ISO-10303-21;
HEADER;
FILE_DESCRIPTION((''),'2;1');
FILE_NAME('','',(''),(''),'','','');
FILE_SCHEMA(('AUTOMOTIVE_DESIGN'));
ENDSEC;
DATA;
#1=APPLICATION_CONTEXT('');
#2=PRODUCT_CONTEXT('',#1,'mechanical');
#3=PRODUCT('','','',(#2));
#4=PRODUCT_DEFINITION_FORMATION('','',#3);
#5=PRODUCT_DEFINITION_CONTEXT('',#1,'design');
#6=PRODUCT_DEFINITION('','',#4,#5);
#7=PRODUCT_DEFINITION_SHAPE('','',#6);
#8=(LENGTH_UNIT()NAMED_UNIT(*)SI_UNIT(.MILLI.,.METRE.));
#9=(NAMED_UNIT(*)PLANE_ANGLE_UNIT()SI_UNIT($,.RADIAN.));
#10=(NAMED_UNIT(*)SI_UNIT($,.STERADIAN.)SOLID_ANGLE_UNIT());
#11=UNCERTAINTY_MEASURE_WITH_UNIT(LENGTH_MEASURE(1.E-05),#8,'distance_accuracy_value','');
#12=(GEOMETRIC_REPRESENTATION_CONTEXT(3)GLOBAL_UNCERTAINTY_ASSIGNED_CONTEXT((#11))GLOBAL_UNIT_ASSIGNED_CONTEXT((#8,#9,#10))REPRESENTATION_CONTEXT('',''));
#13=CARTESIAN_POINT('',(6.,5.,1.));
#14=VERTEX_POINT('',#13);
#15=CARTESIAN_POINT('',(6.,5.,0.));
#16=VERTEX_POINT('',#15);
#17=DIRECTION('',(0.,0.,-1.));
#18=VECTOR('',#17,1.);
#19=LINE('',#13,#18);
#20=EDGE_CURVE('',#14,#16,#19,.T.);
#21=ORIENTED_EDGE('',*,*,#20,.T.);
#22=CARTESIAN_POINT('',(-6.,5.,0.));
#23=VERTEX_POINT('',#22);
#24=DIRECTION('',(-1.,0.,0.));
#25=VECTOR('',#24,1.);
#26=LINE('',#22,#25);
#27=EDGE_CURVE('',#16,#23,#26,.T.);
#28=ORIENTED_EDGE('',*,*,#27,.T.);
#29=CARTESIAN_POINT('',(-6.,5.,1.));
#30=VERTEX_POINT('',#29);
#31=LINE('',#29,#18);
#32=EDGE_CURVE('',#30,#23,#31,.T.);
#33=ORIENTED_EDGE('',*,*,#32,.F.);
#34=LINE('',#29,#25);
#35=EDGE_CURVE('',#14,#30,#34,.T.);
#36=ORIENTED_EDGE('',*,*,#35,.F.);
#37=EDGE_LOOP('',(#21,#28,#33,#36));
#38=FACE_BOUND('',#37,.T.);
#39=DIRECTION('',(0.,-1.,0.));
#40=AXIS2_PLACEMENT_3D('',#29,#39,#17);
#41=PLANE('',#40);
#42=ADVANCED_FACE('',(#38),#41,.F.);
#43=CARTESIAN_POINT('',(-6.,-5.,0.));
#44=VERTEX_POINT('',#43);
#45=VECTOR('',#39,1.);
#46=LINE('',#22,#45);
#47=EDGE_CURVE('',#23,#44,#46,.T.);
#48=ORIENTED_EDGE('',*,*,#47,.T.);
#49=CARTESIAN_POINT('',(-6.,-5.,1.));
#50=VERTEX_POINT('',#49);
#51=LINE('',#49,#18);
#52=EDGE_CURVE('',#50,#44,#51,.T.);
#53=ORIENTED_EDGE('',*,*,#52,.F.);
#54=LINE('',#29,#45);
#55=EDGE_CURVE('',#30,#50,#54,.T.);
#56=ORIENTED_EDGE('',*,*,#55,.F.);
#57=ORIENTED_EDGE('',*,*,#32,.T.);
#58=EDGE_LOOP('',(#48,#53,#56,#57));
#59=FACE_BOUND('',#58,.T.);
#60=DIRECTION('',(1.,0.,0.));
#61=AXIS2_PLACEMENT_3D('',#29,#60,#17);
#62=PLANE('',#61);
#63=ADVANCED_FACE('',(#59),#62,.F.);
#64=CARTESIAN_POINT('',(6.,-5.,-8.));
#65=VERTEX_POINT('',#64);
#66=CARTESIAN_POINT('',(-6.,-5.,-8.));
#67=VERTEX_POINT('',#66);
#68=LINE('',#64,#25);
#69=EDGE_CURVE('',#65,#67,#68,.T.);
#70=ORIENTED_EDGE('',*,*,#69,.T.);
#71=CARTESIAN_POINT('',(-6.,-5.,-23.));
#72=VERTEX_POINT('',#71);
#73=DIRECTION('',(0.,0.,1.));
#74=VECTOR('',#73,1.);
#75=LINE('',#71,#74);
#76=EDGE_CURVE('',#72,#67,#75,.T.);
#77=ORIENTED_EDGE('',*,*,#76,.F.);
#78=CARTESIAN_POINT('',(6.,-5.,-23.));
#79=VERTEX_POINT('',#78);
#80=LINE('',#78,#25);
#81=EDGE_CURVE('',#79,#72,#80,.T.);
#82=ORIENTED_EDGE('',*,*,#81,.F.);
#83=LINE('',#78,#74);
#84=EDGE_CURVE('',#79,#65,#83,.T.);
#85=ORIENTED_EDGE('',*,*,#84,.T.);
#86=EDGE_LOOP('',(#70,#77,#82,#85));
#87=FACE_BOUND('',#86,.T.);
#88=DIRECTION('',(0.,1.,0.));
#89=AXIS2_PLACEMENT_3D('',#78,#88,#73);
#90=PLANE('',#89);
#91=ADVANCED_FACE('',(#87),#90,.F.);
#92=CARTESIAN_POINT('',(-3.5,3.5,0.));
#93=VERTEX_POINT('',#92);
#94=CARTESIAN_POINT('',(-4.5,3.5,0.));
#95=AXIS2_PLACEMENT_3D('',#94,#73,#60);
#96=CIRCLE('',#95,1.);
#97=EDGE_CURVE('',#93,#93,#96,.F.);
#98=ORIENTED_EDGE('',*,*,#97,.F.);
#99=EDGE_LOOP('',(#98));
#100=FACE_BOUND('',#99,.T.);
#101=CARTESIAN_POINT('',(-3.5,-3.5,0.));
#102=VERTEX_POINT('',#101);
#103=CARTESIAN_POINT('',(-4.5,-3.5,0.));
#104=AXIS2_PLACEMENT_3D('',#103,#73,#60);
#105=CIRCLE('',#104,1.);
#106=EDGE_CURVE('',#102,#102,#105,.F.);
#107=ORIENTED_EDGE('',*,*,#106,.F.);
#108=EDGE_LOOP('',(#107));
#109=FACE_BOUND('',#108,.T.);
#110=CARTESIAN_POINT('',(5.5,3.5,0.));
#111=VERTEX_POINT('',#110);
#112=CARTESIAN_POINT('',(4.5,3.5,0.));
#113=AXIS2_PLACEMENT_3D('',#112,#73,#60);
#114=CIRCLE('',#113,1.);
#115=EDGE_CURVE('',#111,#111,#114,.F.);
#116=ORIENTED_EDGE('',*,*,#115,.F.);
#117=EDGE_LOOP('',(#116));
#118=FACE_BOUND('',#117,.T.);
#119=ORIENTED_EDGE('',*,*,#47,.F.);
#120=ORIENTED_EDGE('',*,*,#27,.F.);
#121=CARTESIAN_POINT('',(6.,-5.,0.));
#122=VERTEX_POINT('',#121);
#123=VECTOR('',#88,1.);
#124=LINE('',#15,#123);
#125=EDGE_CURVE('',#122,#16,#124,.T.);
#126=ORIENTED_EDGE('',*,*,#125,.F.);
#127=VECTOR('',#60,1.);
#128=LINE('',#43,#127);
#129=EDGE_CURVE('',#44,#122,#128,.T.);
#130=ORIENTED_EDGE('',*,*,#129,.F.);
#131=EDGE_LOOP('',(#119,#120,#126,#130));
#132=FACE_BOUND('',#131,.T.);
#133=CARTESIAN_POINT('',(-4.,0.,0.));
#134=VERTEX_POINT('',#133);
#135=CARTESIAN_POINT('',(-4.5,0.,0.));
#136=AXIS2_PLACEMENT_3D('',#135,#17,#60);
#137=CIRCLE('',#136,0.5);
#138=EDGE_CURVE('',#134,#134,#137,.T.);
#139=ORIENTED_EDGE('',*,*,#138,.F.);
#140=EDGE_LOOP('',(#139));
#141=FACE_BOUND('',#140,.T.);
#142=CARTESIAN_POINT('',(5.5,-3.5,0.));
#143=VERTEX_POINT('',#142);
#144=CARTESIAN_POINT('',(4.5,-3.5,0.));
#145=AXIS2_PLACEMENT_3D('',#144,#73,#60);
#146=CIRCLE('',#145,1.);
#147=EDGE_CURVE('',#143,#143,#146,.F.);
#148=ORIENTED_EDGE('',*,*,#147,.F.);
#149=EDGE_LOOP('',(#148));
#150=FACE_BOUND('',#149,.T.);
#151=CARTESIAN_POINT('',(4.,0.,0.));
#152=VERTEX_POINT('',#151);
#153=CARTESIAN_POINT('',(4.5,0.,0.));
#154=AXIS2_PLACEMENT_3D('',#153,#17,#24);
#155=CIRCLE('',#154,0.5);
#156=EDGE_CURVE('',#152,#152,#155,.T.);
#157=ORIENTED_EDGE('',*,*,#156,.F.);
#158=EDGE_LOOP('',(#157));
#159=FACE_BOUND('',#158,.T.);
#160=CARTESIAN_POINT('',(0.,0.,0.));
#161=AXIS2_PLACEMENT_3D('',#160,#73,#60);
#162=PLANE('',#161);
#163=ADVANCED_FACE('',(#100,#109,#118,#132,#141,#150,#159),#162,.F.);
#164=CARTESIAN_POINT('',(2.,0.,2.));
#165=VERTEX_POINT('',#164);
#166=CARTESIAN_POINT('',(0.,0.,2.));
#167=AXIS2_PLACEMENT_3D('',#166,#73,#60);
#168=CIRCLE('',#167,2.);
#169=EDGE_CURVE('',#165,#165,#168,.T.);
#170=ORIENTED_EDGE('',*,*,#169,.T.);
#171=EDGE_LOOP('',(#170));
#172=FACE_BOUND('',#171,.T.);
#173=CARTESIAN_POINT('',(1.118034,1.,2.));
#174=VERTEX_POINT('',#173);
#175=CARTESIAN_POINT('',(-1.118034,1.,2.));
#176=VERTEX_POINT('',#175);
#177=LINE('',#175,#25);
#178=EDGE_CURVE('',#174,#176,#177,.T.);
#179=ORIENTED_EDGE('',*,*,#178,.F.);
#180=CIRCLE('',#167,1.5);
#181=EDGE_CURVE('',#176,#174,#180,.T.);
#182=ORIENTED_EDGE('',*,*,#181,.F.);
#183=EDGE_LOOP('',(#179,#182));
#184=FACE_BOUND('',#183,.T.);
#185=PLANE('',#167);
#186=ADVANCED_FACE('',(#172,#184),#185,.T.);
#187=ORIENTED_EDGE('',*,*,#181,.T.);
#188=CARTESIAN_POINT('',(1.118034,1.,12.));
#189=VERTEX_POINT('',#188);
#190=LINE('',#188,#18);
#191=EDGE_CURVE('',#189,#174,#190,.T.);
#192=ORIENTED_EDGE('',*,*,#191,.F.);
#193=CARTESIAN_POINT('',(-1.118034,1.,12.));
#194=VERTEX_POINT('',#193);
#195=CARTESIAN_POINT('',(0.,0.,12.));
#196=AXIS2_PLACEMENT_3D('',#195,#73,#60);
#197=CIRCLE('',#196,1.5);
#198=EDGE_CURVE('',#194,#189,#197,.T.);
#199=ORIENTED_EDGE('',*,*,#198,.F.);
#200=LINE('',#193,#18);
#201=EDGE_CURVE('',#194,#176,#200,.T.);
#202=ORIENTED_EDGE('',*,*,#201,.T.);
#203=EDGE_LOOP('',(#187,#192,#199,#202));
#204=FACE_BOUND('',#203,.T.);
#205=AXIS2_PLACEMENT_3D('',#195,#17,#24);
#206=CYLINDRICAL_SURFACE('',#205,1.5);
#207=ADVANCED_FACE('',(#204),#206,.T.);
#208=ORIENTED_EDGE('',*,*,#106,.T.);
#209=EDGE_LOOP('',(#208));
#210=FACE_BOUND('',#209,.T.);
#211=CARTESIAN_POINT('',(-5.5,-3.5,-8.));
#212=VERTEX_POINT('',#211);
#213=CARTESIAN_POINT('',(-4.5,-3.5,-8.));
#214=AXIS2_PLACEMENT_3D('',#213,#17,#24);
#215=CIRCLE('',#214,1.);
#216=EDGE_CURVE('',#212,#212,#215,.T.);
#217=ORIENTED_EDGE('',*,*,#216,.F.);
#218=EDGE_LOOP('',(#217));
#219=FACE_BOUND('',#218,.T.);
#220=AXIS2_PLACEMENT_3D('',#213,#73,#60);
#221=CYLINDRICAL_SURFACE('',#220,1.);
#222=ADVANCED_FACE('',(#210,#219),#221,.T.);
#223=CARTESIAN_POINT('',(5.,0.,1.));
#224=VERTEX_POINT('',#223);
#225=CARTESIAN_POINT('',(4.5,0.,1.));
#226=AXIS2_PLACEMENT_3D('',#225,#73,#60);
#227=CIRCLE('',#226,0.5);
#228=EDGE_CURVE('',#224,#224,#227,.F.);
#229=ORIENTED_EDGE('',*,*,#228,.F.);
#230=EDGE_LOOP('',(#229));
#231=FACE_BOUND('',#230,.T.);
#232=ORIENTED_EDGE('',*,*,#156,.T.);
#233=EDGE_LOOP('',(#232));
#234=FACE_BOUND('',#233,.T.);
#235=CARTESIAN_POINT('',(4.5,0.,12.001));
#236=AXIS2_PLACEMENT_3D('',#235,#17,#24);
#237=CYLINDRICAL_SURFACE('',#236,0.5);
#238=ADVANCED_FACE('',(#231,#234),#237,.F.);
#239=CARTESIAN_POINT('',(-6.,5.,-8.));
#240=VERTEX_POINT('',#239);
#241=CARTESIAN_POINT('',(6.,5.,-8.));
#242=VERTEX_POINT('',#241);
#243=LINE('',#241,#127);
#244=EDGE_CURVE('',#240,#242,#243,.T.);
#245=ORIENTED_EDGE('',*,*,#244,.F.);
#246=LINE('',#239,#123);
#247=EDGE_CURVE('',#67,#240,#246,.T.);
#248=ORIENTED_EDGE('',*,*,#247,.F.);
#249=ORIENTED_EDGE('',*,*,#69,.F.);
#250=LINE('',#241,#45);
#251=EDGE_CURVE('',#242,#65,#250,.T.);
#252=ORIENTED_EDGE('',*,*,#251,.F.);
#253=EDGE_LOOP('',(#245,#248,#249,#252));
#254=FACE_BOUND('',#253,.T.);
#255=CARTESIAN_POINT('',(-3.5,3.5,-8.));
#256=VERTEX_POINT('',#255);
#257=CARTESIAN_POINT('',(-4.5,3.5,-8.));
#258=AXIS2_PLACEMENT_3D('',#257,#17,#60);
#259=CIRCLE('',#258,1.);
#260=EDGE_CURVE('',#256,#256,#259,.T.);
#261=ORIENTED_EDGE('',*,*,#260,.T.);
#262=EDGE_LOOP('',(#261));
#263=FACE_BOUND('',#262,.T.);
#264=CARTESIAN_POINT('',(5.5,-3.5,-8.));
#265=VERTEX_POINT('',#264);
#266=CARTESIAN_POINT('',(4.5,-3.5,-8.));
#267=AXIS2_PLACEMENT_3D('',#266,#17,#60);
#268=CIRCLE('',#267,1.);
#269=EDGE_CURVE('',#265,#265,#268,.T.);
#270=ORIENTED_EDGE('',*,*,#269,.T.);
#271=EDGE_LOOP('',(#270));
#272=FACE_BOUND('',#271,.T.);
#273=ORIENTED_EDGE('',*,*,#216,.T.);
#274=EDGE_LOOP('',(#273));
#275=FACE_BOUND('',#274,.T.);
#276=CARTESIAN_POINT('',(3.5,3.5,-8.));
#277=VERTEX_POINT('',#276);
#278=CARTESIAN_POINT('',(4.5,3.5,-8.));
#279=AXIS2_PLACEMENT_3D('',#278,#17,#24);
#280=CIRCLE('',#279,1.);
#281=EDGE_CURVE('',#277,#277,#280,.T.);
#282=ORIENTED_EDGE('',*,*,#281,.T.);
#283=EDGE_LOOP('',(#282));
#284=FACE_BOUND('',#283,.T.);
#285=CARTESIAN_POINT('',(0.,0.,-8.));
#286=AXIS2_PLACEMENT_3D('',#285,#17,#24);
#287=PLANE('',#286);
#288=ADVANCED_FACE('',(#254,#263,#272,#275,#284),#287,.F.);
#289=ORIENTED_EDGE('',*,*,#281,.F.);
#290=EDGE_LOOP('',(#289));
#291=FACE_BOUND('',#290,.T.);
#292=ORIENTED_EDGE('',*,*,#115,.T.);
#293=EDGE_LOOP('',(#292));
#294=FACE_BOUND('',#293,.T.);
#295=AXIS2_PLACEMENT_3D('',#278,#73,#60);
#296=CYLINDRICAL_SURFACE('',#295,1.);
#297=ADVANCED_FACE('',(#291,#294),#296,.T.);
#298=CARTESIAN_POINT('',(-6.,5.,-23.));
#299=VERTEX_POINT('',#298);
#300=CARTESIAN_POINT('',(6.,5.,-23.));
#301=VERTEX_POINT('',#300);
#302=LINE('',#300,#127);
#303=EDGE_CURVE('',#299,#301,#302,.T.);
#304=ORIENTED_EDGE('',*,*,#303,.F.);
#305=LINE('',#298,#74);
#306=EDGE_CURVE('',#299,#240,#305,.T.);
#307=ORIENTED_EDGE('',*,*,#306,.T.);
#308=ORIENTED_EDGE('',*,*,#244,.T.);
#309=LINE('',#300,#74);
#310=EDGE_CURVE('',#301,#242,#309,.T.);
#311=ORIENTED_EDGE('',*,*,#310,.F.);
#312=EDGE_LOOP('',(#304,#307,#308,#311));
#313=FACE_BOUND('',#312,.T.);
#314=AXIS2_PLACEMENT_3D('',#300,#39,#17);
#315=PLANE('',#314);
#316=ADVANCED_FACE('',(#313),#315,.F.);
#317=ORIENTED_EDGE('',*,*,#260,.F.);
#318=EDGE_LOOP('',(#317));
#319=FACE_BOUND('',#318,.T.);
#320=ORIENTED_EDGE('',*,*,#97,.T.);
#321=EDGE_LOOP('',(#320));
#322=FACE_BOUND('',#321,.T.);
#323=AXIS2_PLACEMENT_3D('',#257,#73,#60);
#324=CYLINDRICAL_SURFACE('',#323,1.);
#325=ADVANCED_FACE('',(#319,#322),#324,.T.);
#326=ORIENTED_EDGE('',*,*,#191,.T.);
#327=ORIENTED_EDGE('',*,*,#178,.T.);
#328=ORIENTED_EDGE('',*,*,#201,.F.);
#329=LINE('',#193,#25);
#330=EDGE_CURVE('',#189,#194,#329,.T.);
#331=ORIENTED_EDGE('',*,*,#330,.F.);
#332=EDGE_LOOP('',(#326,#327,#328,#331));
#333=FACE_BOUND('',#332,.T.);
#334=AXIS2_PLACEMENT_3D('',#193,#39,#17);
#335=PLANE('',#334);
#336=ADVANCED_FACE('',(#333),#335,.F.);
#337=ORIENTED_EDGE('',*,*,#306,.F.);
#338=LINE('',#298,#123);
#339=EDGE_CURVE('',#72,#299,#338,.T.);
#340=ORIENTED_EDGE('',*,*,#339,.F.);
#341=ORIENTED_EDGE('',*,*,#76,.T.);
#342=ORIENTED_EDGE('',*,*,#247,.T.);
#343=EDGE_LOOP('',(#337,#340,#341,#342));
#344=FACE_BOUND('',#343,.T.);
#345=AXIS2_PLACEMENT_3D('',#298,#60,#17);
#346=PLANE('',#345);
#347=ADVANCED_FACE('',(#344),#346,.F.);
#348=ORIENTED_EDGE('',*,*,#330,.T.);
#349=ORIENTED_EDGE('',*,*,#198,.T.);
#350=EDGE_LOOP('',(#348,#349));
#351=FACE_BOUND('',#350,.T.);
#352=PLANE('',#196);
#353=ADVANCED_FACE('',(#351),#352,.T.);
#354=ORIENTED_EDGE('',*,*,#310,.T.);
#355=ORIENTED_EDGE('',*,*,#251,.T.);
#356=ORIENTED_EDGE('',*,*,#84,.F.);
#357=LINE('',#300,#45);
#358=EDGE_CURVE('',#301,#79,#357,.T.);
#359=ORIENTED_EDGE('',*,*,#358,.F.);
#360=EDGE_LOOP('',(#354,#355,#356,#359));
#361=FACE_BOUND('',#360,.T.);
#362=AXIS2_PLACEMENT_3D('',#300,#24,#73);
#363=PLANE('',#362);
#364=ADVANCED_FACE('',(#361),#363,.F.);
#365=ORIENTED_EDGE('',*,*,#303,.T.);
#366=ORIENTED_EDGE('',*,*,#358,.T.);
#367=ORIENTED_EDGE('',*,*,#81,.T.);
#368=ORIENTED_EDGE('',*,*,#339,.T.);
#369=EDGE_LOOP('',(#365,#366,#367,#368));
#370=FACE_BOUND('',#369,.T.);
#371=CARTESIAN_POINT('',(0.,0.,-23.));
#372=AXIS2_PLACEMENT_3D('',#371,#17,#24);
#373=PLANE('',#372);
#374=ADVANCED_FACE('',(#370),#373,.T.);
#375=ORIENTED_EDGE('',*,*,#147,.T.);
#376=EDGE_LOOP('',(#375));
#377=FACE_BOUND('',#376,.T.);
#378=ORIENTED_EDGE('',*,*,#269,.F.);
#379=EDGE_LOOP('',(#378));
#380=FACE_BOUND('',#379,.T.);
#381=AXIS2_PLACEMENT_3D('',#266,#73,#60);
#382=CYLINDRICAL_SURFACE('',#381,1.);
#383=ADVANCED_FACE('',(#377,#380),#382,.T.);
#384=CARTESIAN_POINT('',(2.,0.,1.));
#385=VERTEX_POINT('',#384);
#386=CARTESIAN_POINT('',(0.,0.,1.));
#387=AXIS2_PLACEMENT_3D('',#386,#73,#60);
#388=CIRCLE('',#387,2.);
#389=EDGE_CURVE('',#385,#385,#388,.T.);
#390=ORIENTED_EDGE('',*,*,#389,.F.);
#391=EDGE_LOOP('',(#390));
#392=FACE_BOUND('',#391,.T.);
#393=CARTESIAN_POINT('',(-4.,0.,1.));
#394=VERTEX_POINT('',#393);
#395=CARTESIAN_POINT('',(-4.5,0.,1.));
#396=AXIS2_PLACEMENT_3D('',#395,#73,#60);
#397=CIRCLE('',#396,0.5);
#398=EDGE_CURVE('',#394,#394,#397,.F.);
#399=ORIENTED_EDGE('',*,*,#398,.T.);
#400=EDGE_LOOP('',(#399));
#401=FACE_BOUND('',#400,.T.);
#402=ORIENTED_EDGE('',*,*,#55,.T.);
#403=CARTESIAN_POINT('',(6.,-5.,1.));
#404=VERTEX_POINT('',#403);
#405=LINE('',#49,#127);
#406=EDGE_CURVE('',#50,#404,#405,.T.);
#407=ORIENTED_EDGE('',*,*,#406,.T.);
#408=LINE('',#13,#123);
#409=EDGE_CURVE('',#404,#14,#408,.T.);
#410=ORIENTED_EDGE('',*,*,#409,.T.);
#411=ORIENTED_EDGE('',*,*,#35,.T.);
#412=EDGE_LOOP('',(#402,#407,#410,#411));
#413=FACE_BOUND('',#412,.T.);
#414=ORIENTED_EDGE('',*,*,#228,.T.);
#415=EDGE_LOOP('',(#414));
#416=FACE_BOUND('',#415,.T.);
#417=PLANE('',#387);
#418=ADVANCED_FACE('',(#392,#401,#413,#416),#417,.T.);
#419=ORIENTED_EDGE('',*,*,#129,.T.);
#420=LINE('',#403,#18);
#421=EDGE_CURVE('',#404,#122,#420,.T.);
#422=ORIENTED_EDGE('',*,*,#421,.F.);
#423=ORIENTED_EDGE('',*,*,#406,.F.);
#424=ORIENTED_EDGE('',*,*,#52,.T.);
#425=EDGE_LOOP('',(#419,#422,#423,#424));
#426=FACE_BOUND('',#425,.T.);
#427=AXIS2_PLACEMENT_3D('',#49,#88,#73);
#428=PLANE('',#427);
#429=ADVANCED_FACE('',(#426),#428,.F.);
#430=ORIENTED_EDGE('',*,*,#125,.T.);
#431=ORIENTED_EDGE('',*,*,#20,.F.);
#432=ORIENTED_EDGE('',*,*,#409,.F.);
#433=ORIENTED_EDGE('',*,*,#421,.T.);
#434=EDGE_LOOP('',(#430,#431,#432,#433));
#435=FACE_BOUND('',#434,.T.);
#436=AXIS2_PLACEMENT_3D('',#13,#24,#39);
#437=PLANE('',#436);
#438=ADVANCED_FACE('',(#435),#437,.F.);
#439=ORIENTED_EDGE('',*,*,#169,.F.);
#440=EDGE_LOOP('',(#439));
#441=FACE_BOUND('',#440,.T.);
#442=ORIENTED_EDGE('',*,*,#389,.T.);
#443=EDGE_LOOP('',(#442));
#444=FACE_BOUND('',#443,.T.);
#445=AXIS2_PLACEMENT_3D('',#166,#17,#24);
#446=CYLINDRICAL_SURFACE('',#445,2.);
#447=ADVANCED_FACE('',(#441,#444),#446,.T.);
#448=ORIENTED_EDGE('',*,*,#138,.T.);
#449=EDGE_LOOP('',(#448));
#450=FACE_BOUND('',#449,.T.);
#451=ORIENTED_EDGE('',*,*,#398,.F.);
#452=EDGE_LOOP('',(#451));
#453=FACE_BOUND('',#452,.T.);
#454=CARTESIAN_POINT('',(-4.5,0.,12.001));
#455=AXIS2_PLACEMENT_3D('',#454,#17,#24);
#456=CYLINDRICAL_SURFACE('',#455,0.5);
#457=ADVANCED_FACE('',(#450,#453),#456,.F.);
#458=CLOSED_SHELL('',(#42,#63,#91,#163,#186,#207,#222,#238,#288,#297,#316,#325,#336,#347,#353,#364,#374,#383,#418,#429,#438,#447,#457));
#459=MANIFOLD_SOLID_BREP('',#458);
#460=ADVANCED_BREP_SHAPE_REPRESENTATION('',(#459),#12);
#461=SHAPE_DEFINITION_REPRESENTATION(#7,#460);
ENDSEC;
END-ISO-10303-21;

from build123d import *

# Parameters (mm, degrees)
SKETCH_1_W          = 12
SKETCH_1_H          = 10
EXTRUDE_1_DEPTH     = 1
SKETCH_2_R          = 1
EXTRUDE_2_DEPTH     = 8
SKETCH_3_R          = 2
EXTRUDE_3_DEPTH     = 1
EXTRUDE_4_DEPTH     = 10
SKETCH_5_W          = 12
SKETCH_5_H          = 10
EXTRUDE_5_DEPTH     = 15
CUT_EXTRUDE_1_REACH = 14
SKETCH_6_R          = 0.5


with BuildPart() as part:
    # 草图1 → 凸台-拉伸1 (new body)
    with BuildSketch(Plane.XY):
        Rectangle(SKETCH_1_W, SKETCH_1_H)
    extrude(amount=EXTRUDE_1_DEPTH)

    # 草图2 → 凸台-拉伸2 (add)
    with BuildSketch(Plane(origin=(0, 0, 0), x_dir=(-1, 0, 0), z_dir=(0, 0, -1))):
        with Locations((-4.5, 3.5)):
            Circle(SKETCH_2_R)
        with Locations((4.5, 3.5)):
            Circle(SKETCH_2_R)
        with Locations((4.5, -3.5)):
            Circle(SKETCH_2_R)
        with Locations((-4.5, -3.5)):
            Circle(SKETCH_2_R)
    extrude(amount=EXTRUDE_2_DEPTH)

    # 草图3 → 凸台-拉伸3 (add)
    with BuildSketch(Plane.XY.offset(1)):
        Circle(SKETCH_3_R)
    extrude(amount=EXTRUDE_3_DEPTH)

    # 草图4 → 凸台-拉伸4 (add)
    with BuildSketch(Plane.XY.offset(2)):
        with BuildLine():
            Line((-1.118033989, 1), (1.118033989, 1))
            ThreePointArc((1.118033989, 1), (0, -1.5), (-1.118033989, 1))
        make_face()
    extrude(amount=EXTRUDE_4_DEPTH)

    # 草图5 → 凸台-拉伸5 (add)
    with BuildSketch(Plane(origin=(0, 0, -8), x_dir=(-1, 0, 0), z_dir=(0, 0, -1))):
        Rectangle(SKETCH_5_W, SKETCH_5_H)
    extrude(amount=EXTRUDE_5_DEPTH)

    # 草图6 → 切除-拉伸1 (cut, up to next)
    with BuildSketch(Plane(origin=(0, 0, 0), x_dir=(-1, 0, 0), z_dir=(0, 0, -1)), mode=Mode.PRIVATE) as cut_extrude_1_sk1:
        with Locations((-4.5, 0)):
            Circle(SKETCH_6_R)
    cut_extrude_1_tool1 = extrude(cut_extrude_1_sk1.sketch, amount=-CUT_EXTRUDE_1_REACH, mode=Mode.PRIVATE) & part.part
    add(cut_extrude_1_tool1.solids().sort_by_distance((4.5, 0, 0))[0], mode=Mode.SUBTRACT)
    # 草图6 → 切除-拉伸1 (cut, up to next)
    with BuildSketch(Plane(origin=(0, 0, 0), x_dir=(-1, 0, 0), z_dir=(0, 0, -1)), mode=Mode.PRIVATE) as cut_extrude_1_sk2:
        with Locations((4.5, 0)):
            Circle(SKETCH_6_R)
    cut_extrude_1_tool2 = extrude(cut_extrude_1_sk2.sketch, amount=-CUT_EXTRUDE_1_REACH, mode=Mode.PRIVATE) & part.part
    add(cut_extrude_1_tool2.solids().sort_by_distance((-4.5, 0, 0))[0], mode=Mode.SUBTRACT)


solid = part.part
